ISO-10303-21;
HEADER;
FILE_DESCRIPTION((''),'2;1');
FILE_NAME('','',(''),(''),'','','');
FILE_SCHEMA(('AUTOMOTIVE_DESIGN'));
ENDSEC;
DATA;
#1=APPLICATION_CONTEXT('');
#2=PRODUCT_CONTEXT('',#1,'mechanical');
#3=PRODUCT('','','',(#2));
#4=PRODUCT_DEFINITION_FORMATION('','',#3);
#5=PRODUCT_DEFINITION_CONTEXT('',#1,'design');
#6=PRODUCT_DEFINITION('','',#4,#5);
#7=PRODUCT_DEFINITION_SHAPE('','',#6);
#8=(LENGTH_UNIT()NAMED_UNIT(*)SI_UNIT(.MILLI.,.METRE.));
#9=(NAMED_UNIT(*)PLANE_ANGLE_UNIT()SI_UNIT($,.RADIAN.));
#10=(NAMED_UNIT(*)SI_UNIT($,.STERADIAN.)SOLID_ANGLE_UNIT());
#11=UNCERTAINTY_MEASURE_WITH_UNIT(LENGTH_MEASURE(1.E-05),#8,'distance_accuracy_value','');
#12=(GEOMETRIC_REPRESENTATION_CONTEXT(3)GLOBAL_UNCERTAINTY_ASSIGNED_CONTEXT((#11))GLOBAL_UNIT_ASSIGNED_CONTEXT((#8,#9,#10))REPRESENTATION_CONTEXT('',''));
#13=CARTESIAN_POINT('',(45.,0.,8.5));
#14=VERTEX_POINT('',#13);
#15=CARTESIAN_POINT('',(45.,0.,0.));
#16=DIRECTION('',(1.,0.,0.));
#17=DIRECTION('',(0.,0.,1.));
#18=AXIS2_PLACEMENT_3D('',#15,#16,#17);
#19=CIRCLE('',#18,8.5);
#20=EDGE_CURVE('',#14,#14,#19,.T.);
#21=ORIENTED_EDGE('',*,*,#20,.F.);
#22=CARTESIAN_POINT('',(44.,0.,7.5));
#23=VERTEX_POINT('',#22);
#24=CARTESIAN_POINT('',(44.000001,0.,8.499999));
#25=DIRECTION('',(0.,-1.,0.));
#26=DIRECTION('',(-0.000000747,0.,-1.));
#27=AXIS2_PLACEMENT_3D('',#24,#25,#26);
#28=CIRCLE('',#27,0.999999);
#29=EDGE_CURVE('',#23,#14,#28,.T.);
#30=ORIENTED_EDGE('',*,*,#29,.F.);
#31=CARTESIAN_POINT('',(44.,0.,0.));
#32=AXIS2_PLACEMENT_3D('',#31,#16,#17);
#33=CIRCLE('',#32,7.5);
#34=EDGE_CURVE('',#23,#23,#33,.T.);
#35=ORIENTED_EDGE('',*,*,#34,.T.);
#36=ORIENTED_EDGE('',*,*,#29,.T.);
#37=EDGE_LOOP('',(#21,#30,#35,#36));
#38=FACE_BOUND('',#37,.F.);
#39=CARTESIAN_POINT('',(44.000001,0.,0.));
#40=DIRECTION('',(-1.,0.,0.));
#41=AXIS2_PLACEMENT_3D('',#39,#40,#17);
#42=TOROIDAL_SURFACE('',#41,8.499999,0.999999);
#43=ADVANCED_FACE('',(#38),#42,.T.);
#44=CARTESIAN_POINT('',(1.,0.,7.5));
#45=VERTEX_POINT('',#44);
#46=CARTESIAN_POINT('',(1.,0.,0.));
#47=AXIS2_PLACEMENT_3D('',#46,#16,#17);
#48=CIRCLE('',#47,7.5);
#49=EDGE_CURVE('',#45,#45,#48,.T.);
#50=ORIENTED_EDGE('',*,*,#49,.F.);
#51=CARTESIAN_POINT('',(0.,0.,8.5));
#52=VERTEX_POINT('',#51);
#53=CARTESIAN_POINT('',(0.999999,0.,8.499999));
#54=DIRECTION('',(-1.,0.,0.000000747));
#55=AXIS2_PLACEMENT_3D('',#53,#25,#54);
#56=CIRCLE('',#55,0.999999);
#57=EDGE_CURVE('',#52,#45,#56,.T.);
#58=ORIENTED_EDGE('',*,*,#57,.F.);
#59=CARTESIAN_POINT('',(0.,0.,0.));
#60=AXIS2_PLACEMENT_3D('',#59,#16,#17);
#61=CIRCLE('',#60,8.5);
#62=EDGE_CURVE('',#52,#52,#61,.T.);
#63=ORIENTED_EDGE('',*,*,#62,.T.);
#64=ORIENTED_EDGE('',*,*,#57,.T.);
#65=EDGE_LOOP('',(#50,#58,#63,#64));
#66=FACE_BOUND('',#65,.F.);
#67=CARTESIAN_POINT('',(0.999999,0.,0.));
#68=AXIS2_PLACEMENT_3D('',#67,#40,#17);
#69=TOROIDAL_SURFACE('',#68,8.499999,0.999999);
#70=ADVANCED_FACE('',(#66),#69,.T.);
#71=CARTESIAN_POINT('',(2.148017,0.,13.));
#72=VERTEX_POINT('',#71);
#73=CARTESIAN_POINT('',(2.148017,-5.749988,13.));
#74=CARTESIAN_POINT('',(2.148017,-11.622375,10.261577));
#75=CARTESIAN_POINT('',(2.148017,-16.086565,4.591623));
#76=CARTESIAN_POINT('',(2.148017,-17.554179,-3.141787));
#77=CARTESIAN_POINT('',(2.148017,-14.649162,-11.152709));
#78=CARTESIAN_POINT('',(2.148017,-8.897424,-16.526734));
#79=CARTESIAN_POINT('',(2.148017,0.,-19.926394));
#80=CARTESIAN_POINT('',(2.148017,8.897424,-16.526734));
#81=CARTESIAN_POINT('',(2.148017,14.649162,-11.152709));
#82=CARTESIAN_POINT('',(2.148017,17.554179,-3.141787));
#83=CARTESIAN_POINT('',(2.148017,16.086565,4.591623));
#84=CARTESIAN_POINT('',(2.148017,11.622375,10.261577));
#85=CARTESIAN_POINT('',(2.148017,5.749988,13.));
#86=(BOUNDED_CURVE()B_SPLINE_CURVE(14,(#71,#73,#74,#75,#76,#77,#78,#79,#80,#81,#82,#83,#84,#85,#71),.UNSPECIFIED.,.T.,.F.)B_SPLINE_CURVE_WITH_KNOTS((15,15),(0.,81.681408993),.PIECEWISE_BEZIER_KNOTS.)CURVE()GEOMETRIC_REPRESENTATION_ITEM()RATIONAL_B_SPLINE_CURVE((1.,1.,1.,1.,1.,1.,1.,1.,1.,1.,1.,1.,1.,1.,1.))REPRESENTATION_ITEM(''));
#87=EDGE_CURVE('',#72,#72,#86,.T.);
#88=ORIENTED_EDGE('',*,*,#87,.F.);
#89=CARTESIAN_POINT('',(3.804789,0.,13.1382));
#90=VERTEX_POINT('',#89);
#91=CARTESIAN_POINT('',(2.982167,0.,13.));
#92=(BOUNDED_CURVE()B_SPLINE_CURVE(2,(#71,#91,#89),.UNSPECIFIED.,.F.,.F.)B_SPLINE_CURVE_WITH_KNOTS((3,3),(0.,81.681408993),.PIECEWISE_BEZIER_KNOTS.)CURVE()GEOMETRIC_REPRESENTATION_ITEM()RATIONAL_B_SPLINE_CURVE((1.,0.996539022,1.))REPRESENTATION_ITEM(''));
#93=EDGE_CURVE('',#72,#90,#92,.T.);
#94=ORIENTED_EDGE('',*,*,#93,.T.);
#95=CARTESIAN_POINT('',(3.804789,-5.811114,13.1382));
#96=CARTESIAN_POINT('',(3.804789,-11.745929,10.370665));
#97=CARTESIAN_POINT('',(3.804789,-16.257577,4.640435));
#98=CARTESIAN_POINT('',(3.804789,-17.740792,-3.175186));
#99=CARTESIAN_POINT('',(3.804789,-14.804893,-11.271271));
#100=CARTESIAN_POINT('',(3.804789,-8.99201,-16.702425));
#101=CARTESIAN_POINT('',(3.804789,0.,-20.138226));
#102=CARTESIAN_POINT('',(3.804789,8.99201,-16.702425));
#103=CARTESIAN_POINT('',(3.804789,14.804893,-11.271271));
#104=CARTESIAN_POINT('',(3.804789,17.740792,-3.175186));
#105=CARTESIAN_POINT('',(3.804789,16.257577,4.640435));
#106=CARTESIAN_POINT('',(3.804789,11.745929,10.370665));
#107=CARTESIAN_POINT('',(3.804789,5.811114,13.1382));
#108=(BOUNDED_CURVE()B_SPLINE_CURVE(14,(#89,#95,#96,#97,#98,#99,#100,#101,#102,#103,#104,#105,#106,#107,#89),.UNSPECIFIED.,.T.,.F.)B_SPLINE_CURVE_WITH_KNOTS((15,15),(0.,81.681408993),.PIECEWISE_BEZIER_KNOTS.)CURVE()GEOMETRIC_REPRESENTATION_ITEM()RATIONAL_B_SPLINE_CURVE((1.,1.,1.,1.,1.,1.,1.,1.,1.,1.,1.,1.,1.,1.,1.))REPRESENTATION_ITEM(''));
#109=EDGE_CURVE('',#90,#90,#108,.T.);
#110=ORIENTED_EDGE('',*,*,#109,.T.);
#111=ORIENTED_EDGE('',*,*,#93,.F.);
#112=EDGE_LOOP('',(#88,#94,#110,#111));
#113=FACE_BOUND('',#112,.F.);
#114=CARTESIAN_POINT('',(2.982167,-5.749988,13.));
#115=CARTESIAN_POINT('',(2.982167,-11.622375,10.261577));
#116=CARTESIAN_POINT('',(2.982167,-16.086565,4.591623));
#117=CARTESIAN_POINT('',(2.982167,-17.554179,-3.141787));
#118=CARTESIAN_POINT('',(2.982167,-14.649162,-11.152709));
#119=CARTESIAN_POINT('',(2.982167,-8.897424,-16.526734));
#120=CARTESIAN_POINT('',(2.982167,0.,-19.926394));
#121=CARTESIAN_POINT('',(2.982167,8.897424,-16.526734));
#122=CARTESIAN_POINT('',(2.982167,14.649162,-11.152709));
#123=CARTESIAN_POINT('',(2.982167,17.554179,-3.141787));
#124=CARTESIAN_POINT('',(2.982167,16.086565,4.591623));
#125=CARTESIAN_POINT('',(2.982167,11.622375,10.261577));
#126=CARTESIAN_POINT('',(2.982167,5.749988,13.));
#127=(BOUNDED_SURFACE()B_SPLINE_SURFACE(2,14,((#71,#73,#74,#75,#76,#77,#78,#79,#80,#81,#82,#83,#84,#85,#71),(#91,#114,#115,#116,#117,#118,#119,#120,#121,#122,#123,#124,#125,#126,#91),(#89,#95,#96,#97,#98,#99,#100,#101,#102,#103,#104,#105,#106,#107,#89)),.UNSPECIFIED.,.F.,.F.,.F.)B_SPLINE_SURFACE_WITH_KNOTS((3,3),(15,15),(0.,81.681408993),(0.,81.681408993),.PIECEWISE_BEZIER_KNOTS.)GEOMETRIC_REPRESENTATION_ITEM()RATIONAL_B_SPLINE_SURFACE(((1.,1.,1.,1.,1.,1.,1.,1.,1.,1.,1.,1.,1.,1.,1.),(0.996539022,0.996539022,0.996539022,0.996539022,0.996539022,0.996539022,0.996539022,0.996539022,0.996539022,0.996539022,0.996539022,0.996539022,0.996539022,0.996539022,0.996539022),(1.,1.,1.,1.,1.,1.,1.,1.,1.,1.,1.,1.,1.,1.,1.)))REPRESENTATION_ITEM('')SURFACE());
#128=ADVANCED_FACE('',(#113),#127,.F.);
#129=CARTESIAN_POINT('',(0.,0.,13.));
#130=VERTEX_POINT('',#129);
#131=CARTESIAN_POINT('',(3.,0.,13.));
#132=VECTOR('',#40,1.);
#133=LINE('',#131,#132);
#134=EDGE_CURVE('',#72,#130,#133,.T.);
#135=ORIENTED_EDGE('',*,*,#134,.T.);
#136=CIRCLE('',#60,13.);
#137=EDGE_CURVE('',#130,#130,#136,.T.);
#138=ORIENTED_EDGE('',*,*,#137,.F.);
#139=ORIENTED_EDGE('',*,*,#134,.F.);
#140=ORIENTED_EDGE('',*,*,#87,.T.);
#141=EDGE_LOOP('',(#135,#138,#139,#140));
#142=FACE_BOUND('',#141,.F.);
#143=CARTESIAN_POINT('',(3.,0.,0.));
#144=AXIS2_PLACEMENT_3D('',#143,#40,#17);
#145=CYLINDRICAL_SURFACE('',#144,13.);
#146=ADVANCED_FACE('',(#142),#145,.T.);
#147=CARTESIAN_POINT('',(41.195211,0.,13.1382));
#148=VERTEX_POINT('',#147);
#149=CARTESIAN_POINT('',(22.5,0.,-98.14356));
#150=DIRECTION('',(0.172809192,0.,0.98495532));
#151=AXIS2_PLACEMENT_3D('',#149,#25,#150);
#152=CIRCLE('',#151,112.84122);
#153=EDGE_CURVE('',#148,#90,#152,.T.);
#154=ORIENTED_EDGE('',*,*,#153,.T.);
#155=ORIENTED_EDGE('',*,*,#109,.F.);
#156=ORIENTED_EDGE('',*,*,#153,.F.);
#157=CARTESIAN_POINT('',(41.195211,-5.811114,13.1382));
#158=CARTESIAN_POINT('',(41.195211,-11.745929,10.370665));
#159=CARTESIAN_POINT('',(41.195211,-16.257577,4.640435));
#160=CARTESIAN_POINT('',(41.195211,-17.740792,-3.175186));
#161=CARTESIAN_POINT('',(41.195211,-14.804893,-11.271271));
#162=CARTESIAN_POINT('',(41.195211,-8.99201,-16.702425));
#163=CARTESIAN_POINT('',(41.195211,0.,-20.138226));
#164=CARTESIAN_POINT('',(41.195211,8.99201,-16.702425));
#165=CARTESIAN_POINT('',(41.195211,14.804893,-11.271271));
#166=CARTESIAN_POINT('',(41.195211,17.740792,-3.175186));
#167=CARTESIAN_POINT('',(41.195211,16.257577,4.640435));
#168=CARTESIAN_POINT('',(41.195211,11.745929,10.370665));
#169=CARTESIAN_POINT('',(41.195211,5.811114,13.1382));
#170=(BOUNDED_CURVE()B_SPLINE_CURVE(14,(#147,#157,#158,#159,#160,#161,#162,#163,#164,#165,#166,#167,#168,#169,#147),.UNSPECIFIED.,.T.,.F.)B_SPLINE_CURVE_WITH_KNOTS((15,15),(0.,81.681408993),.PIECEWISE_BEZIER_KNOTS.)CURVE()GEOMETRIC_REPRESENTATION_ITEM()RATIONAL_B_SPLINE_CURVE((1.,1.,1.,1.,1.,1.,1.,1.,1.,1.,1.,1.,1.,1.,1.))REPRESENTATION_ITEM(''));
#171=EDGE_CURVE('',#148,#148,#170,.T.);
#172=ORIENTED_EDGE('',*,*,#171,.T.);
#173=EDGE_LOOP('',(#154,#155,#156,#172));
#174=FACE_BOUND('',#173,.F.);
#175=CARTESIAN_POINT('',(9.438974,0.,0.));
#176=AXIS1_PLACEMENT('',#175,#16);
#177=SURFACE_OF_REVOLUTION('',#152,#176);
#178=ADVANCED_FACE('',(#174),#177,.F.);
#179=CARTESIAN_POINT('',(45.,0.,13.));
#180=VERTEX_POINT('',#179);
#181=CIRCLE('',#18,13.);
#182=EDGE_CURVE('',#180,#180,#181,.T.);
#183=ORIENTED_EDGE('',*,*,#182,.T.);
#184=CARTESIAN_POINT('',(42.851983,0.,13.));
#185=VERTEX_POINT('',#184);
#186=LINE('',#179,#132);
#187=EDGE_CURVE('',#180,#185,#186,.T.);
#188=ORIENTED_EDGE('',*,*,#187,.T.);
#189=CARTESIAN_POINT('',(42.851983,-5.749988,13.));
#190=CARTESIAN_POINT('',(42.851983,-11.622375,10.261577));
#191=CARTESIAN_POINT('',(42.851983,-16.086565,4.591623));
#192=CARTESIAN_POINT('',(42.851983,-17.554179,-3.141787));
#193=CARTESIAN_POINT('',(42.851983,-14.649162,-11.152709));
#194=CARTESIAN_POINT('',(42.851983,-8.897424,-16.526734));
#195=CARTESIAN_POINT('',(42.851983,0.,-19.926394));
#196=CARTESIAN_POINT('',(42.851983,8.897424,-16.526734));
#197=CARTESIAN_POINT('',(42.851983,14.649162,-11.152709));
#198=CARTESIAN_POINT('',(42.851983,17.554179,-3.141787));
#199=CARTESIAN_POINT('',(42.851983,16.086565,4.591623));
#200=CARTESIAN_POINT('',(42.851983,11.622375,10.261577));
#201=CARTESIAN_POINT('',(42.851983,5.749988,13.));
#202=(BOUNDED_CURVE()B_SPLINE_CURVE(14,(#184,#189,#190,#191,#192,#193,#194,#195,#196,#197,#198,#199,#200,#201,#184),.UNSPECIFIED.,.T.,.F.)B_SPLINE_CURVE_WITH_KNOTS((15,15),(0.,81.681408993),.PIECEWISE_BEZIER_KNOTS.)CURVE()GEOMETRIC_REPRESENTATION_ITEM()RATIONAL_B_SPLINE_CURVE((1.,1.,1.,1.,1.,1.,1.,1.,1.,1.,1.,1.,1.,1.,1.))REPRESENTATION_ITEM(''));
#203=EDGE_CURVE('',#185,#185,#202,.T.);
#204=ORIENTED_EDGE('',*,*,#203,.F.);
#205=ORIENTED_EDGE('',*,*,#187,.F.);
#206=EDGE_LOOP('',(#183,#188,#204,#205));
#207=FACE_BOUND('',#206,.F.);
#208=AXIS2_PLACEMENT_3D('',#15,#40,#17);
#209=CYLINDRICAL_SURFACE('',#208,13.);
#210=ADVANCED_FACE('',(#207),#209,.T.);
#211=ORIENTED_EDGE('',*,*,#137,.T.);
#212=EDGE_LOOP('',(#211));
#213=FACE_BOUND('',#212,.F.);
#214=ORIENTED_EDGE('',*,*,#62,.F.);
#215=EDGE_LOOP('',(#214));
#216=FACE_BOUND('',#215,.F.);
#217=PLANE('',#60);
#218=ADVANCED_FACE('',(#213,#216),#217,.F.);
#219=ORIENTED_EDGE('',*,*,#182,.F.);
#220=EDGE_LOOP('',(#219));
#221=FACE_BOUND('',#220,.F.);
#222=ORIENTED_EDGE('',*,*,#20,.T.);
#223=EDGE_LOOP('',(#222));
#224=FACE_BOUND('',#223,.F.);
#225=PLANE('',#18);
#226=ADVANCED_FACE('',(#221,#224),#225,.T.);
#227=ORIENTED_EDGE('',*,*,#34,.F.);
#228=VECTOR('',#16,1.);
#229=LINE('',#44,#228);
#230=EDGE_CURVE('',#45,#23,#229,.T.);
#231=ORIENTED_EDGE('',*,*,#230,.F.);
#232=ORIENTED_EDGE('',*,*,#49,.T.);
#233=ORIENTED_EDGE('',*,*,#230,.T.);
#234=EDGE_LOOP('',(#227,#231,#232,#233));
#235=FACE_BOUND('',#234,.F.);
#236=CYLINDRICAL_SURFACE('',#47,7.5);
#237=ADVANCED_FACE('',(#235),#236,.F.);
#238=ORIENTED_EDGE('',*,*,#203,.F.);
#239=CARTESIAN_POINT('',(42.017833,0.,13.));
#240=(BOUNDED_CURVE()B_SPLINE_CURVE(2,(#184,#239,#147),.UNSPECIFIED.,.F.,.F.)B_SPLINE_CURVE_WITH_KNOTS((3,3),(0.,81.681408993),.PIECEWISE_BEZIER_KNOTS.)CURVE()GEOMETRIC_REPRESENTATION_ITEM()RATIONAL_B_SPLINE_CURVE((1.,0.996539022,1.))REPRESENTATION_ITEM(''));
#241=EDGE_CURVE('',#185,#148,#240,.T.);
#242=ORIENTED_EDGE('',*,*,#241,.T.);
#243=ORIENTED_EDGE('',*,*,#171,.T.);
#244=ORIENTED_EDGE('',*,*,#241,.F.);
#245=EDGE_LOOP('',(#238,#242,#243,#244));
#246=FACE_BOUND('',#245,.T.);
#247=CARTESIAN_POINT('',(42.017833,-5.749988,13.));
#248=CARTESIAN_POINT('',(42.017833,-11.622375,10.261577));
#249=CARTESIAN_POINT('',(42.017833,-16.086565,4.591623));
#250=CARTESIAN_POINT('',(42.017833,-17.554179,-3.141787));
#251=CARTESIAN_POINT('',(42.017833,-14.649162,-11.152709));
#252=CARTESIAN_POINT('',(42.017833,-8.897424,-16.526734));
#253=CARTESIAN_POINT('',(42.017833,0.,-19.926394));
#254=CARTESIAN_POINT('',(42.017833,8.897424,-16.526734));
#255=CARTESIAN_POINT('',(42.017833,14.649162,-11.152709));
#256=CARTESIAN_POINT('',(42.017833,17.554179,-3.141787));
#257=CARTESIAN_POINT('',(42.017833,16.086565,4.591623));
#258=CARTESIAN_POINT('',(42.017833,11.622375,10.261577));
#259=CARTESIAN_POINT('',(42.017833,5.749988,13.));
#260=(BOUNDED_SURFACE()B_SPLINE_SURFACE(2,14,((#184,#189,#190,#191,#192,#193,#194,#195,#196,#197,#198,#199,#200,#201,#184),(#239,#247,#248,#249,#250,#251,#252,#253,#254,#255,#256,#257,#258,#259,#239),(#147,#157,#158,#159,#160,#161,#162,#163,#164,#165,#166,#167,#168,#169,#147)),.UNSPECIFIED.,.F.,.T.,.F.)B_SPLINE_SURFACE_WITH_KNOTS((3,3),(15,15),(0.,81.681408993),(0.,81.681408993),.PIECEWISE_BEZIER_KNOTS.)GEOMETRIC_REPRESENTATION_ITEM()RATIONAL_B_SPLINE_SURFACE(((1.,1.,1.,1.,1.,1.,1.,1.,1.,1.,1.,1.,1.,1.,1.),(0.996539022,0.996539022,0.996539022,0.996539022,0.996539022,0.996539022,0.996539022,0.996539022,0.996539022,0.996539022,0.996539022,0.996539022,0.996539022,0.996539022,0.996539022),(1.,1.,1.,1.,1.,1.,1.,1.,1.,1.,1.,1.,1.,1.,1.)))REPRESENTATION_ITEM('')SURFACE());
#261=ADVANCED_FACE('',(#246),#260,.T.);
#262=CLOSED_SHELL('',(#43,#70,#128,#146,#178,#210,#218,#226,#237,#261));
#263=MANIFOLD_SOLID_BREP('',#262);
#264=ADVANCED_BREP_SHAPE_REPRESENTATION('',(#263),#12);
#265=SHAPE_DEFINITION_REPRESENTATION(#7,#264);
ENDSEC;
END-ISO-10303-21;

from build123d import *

# Parameters (mm, degrees)
F2_R = 10


with BuildPart() as f1:
    # F0 (on Front) → F1 (revolve)
    with BuildSketch(Plane.XZ):
        with BuildLine():
            Line((3, 13), (0, 13))
            Line((0, 13), (0, 8.5))
            ThreePointArc((0, 8.5), (0.292893, 7.792893), (1, 7.5))
            Line((1, 7.5), (44, 7.5))
            ThreePointArc((44, 7.5), (44.707107, 7.792893), (45, 8.5))
            Line((45, 8.5), (45, 13))
            Line((45, 13), (42, 13))
            ThreePointArc((42, 13), (22.5, 14.69766), (3, 13))
        make_face()
    revolve(axis=Axis((9.438974, 0, 0), (1, 0, 0)))

    # F2
    f2_edges = [f1.edges().sort_by_distance(p)[0] for p in [
        (3, 0, -13),
        (42, 0, -13),
    ]]
    fillet(f2_edges, radius=F2_R)


solid = f1.part
